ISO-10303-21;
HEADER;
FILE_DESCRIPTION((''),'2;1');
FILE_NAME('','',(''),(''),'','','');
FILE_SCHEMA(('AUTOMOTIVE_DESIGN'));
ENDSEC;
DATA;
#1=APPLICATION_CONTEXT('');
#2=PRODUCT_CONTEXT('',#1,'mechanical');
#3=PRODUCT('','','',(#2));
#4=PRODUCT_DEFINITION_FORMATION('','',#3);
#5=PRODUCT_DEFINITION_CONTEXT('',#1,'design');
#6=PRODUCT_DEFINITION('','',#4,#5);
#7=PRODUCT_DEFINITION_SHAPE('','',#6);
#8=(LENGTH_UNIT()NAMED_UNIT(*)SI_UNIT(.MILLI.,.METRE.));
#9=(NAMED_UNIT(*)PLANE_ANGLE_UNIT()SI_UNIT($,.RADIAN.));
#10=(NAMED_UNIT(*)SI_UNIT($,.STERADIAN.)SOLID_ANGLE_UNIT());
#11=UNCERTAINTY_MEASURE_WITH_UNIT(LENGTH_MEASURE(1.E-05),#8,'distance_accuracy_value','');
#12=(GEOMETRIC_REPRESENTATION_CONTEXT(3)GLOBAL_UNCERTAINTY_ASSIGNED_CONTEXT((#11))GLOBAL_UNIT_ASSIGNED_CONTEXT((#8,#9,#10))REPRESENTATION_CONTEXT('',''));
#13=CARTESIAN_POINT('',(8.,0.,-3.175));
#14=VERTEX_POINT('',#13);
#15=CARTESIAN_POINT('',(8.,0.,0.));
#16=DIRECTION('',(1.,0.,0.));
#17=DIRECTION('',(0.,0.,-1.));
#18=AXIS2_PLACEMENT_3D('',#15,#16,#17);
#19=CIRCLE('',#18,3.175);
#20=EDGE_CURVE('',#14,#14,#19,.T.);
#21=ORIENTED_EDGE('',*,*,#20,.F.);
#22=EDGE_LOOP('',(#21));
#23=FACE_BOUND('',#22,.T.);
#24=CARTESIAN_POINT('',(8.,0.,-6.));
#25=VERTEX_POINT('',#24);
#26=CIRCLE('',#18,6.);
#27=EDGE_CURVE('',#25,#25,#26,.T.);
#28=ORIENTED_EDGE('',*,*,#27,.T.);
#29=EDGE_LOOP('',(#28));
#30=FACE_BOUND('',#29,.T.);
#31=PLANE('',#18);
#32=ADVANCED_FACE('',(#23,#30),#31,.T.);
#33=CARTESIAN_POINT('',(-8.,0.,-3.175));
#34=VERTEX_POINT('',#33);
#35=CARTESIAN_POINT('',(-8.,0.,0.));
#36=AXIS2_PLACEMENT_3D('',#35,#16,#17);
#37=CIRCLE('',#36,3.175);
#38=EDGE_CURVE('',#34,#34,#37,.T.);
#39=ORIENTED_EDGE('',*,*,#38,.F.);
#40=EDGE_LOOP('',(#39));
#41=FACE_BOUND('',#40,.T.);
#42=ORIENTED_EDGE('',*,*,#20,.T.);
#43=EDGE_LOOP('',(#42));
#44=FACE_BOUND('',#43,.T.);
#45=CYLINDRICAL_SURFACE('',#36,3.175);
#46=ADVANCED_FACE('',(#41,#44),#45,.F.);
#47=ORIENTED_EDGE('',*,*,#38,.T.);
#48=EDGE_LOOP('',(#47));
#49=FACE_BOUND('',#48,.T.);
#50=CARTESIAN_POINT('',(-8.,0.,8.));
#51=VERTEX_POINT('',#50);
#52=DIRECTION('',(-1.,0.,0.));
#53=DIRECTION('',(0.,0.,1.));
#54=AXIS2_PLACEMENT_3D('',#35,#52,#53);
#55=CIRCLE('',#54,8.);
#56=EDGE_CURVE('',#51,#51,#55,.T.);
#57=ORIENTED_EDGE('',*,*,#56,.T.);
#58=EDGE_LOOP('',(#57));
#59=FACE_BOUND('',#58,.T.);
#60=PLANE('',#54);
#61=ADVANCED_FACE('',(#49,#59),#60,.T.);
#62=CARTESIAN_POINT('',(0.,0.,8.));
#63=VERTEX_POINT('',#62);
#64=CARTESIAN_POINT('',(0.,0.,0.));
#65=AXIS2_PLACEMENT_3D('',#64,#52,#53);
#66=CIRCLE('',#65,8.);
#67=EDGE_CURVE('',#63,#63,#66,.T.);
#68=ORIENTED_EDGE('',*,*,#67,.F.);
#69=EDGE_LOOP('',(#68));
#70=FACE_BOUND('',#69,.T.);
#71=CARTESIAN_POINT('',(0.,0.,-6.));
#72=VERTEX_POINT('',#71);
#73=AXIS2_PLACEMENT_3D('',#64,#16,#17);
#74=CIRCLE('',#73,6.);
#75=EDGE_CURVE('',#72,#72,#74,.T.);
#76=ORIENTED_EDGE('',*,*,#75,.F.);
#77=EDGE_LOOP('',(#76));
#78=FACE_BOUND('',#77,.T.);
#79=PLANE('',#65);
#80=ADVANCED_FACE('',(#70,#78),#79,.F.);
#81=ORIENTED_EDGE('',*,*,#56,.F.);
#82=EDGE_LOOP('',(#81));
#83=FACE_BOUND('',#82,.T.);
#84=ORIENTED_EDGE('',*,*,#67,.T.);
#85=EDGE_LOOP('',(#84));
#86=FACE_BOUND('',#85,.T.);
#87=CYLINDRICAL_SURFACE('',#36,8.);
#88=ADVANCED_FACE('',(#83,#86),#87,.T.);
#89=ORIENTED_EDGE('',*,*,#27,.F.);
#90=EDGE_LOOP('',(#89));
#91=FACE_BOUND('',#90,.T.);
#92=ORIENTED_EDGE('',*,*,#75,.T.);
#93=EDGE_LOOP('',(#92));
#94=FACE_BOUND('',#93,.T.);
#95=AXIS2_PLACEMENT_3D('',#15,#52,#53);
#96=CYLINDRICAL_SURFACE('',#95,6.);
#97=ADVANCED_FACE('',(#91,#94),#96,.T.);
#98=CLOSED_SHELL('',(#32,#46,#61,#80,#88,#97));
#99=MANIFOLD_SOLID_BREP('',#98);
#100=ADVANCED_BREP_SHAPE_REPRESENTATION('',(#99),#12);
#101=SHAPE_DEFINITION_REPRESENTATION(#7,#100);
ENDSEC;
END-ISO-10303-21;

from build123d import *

# Parameters (mm, degrees)
SKETCH2_R           = 5.999999938
BOSS_EXTRUDE1_DEPTH = 8.000000002
SKETCH3_R           = 8.000000002
BOSS_EXTRUDE2_DEPTH = 8.000000002
SKETCH4_R           = 3.175
CUT_EXTRUDE1_DEPTH  = 17.000000004


with BuildPart() as part:
    # Sketch2 → Boss-Extrude1 (new body)
    with BuildSketch(Plane(origin=(0, 0, 0), x_dir=(0, 0, -1), z_dir=(1, 0, 0))):
        Circle(SKETCH2_R)
    extrude(amount=BOSS_EXTRUDE1_DEPTH)

    # Sketch3 → Boss-Extrude2 (add)
    with BuildSketch(Plane.ZY):
        Circle(SKETCH3_R)
    extrude(amount=BOSS_EXTRUDE2_DEPTH)

    # Sketch4 → Cut-Extrude1 (cut, through all)
    with BuildSketch(Plane(origin=(8.000000002, 0, 0), x_dir=(0, 0, -1), z_dir=(1, 0, 0))):
        Circle(SKETCH4_R)
    extrude(amount=-CUT_EXTRUDE1_DEPTH, mode=Mode.SUBTRACT)


solid = part.part
